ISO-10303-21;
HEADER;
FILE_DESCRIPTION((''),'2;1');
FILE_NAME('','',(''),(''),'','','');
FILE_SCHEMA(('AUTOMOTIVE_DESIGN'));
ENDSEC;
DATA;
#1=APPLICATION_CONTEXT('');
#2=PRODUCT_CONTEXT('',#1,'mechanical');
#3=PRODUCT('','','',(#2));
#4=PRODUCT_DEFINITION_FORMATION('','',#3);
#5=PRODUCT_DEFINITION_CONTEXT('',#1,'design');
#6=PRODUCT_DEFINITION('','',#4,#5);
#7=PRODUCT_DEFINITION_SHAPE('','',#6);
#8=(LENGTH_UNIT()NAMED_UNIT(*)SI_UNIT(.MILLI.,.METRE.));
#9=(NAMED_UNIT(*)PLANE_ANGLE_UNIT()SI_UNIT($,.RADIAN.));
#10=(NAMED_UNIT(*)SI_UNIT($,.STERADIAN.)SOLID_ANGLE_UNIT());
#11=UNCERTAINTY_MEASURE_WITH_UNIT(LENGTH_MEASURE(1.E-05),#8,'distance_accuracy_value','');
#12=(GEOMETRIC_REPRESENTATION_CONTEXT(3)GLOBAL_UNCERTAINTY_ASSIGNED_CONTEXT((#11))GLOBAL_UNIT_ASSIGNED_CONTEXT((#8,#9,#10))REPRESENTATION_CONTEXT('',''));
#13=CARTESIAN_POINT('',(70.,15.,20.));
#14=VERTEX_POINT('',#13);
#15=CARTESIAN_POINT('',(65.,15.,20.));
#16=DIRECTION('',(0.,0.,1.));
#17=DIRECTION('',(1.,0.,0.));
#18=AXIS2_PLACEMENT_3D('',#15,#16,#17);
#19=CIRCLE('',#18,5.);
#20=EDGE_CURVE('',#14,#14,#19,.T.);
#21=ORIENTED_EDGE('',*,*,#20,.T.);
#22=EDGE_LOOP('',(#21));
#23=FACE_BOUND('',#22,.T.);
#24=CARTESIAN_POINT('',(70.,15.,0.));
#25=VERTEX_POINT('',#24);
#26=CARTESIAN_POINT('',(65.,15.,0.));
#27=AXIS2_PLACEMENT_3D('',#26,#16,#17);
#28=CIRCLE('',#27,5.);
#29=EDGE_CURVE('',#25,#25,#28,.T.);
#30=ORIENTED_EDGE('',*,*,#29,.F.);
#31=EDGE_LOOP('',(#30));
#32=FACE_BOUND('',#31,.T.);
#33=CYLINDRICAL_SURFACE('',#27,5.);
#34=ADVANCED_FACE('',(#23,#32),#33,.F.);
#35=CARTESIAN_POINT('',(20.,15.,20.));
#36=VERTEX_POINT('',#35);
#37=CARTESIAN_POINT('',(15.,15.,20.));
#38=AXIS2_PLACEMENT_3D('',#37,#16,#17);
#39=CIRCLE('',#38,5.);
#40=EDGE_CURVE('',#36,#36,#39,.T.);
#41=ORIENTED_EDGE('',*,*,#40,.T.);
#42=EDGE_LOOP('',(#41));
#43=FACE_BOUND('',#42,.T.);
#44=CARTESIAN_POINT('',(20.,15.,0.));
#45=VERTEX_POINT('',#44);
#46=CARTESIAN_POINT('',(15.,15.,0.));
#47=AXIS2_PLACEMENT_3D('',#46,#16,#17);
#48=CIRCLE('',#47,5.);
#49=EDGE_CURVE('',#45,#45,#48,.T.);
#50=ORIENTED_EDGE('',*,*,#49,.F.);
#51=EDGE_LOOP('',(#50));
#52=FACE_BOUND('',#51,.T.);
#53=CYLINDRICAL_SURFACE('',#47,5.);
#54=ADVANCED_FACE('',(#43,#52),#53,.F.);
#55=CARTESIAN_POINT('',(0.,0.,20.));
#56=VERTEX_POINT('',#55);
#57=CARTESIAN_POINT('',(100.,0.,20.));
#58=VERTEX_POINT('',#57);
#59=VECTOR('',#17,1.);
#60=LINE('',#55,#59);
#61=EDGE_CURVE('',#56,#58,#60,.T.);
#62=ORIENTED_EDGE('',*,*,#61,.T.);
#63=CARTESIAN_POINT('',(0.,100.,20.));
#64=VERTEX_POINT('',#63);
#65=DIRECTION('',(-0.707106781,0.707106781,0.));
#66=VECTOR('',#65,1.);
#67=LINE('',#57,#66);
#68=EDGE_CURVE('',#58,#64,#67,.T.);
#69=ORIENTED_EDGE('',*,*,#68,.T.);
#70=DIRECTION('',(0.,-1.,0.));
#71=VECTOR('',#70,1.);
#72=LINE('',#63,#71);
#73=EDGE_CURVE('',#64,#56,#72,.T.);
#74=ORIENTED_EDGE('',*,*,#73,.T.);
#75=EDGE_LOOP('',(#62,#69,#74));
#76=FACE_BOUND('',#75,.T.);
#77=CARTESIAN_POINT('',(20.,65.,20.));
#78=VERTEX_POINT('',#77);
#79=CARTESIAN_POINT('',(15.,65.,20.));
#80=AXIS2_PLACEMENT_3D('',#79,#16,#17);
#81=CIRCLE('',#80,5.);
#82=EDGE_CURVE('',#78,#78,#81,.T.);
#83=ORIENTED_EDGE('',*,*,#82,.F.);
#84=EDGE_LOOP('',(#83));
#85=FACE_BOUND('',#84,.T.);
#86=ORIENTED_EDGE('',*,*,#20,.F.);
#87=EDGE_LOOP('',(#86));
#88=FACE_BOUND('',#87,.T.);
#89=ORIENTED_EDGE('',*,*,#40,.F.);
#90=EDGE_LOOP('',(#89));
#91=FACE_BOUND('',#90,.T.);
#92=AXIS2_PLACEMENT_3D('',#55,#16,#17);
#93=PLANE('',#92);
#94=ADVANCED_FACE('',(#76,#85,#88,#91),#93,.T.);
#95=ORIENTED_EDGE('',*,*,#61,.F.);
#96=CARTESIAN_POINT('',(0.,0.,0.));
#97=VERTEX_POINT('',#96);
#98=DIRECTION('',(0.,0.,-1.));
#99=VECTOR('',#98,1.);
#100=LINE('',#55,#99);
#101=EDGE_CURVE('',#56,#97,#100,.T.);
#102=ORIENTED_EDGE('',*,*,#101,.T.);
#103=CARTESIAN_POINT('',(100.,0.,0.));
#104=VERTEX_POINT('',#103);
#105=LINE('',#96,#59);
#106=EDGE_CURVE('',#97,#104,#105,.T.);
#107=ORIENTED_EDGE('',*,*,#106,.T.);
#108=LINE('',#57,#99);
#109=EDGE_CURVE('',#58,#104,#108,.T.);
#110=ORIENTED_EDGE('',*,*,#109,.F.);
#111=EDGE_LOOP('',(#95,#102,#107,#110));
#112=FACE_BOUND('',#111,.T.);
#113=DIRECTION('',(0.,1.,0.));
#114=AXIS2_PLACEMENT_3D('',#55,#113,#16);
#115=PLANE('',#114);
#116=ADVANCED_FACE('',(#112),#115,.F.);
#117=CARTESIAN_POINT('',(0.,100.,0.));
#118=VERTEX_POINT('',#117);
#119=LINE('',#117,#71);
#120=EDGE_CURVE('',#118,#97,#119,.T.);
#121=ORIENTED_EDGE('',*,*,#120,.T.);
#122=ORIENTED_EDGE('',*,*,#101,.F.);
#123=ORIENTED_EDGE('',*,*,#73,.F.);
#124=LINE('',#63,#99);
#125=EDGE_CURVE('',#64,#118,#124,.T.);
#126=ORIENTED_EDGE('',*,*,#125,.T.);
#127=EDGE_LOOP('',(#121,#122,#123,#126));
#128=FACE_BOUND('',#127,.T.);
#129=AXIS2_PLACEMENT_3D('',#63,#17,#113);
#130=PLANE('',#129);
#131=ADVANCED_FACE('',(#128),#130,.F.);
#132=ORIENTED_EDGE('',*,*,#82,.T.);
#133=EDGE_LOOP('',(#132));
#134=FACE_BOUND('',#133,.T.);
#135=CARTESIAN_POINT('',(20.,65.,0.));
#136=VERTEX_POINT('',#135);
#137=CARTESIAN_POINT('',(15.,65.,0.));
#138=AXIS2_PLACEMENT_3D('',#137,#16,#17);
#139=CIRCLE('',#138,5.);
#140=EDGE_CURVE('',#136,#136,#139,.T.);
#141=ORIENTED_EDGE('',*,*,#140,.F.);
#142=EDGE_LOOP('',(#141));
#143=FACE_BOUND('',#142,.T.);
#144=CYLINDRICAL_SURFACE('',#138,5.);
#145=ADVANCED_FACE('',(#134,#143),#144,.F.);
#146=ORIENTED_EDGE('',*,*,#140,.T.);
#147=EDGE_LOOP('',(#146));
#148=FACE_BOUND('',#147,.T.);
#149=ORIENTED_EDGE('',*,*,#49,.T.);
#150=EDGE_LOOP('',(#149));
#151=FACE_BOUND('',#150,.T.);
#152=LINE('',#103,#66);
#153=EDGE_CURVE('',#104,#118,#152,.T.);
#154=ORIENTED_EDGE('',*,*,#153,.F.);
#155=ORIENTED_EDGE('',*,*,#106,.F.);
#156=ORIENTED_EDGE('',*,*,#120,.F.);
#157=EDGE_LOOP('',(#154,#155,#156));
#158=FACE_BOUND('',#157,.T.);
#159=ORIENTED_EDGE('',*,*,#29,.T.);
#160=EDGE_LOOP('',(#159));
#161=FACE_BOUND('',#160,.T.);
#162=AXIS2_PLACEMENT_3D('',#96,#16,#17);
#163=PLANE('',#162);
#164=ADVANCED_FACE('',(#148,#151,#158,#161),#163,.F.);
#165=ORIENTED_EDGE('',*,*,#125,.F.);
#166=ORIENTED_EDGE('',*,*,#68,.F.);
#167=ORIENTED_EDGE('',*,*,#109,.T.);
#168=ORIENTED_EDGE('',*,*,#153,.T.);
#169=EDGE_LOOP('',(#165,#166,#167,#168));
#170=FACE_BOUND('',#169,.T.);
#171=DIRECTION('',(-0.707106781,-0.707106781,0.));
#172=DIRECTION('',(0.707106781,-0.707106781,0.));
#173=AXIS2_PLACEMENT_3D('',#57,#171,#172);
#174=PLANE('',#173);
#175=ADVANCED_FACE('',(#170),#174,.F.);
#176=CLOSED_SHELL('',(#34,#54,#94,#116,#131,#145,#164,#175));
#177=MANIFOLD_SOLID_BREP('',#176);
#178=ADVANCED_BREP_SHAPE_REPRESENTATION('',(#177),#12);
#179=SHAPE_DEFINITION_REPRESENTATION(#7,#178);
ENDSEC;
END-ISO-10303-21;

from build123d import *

# Parameters (mm, degrees)
BOSS_EXTRUDE1_DEPTH = 20
SKETCH2_R           = 5
CUT_EXTRUDE1_DEPTH  = 20


with BuildPart() as part:
    # Sketch1 → Boss-Extrude1 (new body)
    with BuildSketch(Plane.XY):
        Polygon((0, 0), (100, 0), (0, 100), align=None)
    extrude(amount=BOSS_EXTRUDE1_DEPTH)

    # Sketch2 → Cut-Extrude1 (cut)
    with BuildSketch(Plane.XY.offset(20)):
        with Locations((15, 65)):
            Circle(SKETCH2_R)
        with Locations((15, 15)):
            Circle(SKETCH2_R)
        with Locations((65, 15)):
            Circle(SKETCH2_R)
    extrude(amount=-CUT_EXTRUDE1_DEPTH, mode=Mode.SUBTRACT)


solid = part.part
